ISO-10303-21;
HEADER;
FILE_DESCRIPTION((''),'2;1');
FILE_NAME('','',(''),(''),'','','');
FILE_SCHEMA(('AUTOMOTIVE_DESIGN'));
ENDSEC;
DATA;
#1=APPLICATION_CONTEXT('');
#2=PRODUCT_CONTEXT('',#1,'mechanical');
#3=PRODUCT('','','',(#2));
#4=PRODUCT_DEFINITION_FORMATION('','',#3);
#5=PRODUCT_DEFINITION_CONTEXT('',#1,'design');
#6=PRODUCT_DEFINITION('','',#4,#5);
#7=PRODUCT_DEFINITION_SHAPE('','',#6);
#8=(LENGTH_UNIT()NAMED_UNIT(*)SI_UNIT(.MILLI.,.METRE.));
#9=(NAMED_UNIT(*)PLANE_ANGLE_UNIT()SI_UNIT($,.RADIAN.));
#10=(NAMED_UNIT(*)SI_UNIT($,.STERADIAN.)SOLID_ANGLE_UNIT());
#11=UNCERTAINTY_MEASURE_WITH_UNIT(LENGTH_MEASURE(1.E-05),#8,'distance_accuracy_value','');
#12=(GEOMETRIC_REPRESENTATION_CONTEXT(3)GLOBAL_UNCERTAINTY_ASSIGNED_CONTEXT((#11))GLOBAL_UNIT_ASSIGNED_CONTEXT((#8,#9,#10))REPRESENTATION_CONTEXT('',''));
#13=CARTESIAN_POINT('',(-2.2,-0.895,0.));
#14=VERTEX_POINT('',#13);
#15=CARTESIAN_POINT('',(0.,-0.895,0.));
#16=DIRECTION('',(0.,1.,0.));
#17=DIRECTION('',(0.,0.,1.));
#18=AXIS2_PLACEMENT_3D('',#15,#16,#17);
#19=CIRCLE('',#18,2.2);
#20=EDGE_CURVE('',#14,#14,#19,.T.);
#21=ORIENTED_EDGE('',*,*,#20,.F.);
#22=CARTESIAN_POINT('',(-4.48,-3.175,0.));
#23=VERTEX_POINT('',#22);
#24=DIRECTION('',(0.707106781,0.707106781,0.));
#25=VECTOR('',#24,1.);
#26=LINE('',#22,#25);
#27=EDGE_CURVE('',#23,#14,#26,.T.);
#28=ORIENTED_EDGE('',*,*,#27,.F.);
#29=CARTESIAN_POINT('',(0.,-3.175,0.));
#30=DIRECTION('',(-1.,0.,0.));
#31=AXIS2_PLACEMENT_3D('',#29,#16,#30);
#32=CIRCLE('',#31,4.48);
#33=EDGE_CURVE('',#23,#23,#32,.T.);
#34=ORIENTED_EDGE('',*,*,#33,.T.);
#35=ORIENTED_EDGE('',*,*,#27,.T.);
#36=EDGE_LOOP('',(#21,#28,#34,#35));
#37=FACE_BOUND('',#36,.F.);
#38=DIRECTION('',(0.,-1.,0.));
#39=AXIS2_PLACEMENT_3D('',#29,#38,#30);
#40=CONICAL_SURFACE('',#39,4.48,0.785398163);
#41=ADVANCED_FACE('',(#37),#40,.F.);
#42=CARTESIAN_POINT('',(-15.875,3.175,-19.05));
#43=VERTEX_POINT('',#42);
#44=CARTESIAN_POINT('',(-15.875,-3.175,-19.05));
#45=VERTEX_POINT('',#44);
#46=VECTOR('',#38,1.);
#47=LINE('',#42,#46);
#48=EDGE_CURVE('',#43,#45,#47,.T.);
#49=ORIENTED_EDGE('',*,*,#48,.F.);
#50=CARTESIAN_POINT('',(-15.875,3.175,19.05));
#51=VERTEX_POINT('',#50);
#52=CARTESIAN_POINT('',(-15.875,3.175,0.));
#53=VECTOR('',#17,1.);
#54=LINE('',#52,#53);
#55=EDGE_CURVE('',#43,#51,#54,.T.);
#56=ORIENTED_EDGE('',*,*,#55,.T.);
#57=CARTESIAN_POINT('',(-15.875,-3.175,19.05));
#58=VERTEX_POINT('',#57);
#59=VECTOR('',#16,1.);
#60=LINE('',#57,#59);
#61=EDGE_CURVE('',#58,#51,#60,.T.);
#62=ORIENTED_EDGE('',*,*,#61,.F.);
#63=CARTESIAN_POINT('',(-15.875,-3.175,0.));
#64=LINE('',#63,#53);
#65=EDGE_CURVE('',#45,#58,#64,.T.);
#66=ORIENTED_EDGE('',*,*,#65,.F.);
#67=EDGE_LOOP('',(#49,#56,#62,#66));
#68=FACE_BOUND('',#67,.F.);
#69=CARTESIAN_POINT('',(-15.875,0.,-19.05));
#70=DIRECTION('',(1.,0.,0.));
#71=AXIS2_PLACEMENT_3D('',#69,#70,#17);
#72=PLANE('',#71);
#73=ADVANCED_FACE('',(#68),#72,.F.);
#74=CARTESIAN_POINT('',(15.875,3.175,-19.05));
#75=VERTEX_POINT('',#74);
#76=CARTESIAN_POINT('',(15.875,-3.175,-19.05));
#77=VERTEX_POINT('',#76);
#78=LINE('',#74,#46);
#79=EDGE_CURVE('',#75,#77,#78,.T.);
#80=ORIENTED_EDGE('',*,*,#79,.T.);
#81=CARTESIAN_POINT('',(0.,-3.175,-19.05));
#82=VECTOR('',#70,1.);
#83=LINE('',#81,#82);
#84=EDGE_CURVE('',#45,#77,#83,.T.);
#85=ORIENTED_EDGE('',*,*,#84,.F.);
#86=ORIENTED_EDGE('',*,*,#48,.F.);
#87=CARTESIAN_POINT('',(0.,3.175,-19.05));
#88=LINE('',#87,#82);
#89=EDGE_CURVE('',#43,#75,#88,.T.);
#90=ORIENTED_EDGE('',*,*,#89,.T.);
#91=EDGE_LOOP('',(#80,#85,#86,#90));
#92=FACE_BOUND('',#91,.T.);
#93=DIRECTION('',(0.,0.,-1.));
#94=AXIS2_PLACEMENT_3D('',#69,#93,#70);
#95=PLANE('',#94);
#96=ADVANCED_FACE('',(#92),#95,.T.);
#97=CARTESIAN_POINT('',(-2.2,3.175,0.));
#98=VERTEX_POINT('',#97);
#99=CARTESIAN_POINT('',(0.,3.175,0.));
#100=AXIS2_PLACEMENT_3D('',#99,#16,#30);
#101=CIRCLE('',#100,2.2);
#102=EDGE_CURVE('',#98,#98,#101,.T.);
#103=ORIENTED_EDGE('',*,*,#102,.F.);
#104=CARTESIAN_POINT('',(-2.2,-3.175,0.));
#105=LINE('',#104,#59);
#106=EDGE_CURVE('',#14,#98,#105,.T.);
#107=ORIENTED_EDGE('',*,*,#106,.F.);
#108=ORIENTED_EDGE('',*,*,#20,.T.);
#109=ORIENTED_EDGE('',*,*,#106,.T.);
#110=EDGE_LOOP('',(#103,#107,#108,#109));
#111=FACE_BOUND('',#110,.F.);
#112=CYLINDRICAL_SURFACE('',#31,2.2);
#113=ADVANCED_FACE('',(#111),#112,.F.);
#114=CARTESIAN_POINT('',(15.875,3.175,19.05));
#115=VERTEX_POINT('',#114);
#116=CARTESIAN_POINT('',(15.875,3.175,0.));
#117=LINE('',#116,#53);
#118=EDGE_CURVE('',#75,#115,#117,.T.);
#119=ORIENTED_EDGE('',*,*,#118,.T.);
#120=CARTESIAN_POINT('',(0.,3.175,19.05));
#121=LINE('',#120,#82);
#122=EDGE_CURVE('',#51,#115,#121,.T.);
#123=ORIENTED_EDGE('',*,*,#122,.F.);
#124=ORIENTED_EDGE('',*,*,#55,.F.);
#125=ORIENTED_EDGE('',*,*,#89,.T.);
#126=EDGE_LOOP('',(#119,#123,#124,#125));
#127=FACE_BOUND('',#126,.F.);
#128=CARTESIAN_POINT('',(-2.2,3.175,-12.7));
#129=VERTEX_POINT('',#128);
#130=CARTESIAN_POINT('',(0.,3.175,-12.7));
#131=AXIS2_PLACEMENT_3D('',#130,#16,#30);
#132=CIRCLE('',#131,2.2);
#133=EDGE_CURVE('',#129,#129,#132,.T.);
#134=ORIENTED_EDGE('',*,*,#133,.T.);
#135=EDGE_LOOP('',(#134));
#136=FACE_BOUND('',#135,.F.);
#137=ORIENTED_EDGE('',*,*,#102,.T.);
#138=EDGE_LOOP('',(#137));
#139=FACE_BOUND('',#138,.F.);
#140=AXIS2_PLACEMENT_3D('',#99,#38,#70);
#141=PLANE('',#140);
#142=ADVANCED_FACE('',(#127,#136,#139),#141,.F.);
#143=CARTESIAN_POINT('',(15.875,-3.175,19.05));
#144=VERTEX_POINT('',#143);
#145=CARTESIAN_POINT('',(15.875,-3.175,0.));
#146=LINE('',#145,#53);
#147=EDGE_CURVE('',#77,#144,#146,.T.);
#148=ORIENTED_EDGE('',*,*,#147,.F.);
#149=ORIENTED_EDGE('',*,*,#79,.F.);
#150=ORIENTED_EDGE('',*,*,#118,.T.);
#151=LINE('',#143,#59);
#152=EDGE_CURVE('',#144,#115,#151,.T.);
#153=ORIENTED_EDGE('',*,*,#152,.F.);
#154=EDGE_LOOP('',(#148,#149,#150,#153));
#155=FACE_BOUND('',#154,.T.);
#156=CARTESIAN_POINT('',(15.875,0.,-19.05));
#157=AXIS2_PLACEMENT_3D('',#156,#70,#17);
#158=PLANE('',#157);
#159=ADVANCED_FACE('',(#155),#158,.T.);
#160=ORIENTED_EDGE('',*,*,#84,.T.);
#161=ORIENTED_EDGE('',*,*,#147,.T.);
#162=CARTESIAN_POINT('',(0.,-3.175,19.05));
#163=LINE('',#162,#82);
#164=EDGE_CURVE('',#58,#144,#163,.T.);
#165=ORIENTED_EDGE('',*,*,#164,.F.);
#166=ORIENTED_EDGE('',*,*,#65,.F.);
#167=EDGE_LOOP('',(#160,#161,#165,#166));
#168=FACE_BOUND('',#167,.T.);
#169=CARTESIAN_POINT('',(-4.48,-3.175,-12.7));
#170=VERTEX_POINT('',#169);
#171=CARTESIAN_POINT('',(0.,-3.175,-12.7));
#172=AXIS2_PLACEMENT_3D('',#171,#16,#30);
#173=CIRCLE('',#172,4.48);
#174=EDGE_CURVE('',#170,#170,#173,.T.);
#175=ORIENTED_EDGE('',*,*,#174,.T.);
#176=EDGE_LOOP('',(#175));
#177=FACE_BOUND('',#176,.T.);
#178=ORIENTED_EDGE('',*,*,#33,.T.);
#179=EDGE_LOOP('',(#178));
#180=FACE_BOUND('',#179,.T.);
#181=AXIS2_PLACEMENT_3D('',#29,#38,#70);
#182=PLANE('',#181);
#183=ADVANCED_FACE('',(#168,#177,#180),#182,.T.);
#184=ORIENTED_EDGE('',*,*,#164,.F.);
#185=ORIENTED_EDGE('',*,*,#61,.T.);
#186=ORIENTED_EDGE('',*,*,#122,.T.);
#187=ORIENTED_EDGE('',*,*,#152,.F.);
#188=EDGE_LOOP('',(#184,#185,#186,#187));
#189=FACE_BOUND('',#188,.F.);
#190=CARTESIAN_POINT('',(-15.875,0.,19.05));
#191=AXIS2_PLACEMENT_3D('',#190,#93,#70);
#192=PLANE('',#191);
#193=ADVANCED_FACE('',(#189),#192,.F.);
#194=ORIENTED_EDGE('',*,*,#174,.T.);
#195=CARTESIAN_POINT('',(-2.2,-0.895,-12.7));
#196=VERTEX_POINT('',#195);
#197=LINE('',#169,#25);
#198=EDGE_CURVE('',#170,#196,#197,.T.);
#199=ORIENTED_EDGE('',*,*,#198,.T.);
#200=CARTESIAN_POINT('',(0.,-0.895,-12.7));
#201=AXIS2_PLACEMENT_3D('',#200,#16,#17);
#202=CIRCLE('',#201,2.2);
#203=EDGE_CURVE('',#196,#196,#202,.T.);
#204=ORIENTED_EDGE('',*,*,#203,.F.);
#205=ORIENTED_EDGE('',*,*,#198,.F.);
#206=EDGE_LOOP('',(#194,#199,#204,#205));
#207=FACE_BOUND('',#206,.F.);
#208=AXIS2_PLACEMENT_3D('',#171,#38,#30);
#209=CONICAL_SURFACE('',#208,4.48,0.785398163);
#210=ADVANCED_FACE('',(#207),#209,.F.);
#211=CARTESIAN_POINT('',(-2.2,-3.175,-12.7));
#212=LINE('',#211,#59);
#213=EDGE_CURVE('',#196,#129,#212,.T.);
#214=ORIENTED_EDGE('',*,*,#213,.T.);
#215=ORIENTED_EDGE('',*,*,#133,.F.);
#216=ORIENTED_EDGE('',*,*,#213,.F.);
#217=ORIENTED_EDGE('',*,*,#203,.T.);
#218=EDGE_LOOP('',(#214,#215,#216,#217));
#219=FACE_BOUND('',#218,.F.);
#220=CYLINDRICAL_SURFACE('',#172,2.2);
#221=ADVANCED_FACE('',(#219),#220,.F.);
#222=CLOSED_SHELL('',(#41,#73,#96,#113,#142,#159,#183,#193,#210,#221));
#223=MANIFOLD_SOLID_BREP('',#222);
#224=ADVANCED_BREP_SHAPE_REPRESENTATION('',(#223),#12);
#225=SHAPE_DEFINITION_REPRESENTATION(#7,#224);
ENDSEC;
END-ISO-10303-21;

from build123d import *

# Parameters (mm, degrees)
F0_W           = 31.75
F0_H           = 38.1
F1_DEPTH       = 3.175
F3_D           = 4.4
F3_DEPTH       = 12.7
F3_CSINK_D     = 8.96
F3_CSINK_ANGLE = 90
F3_TIP         = 1.3218933619


with BuildPart() as f1:
    # F0 (on Front) → F1 (new body, symmetric)
    with BuildSketch(Plane.XZ):
        Rectangle(F0_W, F0_H)
    extrude(amount=F1_DEPTH, both=True)

    # F3
    with Locations(Plane.XZ.offset(3.175)):
        with Locations((0, 0), (0, -12.7)):
            CounterSinkHole(F3_D / 2, F3_CSINK_D / 2, depth=F3_DEPTH, counter_sink_angle=F3_CSINK_ANGLE)
            with Locations((0, 0, -(F3_DEPTH + F3_TIP / 2))):  # 118° drill point
                Cone(0, F3_D / 2, F3_TIP, mode=Mode.SUBTRACT)


solid = f1.part
